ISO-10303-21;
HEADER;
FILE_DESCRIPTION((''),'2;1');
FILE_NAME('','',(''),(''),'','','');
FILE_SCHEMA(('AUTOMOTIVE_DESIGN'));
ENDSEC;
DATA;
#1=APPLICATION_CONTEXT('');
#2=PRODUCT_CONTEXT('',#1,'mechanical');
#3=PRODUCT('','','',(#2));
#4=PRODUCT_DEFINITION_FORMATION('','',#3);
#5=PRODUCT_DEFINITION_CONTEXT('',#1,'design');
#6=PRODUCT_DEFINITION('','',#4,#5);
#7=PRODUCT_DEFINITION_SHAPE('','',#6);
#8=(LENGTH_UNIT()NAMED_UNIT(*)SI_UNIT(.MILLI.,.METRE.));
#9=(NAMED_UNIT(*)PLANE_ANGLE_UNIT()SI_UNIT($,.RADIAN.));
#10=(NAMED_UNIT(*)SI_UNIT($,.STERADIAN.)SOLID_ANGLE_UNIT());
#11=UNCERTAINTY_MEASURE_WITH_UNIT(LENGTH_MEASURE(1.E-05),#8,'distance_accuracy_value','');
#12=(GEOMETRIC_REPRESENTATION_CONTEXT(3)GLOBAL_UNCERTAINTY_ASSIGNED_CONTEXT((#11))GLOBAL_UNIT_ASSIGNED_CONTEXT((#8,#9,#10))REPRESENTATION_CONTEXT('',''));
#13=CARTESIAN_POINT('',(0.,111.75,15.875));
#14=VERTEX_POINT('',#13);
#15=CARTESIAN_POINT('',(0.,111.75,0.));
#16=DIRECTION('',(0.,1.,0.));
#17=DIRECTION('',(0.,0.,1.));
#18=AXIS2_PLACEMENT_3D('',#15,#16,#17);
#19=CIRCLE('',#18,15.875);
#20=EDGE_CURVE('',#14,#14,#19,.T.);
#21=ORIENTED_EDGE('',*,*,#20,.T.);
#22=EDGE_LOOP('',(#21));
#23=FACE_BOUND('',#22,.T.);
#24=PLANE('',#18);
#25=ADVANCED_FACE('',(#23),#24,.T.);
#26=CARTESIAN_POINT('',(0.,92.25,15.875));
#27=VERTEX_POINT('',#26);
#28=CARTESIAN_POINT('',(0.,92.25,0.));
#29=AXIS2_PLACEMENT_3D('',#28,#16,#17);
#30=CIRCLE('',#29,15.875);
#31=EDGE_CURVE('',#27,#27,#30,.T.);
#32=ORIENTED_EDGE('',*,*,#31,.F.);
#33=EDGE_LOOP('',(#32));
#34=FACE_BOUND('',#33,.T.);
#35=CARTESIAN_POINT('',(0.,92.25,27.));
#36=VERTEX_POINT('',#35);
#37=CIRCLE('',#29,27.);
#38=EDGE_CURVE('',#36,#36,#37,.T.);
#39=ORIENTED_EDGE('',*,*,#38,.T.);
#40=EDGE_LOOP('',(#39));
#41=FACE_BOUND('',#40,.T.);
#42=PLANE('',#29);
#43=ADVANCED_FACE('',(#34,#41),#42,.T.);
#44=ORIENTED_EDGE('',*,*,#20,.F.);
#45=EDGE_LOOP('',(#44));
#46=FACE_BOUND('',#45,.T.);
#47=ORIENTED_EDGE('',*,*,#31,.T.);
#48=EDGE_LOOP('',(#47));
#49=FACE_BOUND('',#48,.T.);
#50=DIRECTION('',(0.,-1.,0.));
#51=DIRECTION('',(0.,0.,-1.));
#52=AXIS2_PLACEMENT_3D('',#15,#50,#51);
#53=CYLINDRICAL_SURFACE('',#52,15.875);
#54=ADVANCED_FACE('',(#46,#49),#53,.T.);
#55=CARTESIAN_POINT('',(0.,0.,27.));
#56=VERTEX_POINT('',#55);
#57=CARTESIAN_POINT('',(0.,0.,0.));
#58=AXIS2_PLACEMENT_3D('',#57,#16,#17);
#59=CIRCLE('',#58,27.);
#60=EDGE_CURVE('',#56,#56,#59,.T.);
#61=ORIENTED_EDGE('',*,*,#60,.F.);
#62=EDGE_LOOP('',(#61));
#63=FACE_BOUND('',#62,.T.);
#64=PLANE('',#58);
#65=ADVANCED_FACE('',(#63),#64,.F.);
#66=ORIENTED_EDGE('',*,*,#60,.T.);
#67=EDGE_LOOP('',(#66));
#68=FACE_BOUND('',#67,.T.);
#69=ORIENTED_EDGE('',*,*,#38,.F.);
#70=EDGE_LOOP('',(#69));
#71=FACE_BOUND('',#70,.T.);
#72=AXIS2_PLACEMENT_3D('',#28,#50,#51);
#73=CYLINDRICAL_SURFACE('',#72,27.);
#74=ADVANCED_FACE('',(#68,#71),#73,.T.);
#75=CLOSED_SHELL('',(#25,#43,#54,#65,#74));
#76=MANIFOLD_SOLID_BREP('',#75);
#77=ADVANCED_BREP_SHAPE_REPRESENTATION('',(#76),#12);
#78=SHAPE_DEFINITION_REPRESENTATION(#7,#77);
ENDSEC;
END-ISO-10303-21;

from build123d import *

# Parameters (mm, degrees)
SKETCH1_R           = 27
BOSS_EXTRUDE1_DEPTH = 92.25
SKETCH2_R           = 15.875
BOSS_EXTRUDE2_DEPTH = 19.5


with BuildPart() as part:
    # Sketch1 → Boss-Extrude1 (new body)
    with BuildSketch(Plane(origin=(0, 0, 0), x_dir=(1, 0, 0), z_dir=(0, 1, 0))):
        Circle(SKETCH1_R)
    extrude(amount=BOSS_EXTRUDE1_DEPTH)

    # Sketch2 → Boss-Extrude2 (add)
    with BuildSketch(Plane(origin=(0, 92.25, 0), x_dir=(1, 0, 0), z_dir=(0, 1, 0))):
        Circle(SKETCH2_R)
    extrude(amount=BOSS_EXTRUDE2_DEPTH)


solid = part.part
